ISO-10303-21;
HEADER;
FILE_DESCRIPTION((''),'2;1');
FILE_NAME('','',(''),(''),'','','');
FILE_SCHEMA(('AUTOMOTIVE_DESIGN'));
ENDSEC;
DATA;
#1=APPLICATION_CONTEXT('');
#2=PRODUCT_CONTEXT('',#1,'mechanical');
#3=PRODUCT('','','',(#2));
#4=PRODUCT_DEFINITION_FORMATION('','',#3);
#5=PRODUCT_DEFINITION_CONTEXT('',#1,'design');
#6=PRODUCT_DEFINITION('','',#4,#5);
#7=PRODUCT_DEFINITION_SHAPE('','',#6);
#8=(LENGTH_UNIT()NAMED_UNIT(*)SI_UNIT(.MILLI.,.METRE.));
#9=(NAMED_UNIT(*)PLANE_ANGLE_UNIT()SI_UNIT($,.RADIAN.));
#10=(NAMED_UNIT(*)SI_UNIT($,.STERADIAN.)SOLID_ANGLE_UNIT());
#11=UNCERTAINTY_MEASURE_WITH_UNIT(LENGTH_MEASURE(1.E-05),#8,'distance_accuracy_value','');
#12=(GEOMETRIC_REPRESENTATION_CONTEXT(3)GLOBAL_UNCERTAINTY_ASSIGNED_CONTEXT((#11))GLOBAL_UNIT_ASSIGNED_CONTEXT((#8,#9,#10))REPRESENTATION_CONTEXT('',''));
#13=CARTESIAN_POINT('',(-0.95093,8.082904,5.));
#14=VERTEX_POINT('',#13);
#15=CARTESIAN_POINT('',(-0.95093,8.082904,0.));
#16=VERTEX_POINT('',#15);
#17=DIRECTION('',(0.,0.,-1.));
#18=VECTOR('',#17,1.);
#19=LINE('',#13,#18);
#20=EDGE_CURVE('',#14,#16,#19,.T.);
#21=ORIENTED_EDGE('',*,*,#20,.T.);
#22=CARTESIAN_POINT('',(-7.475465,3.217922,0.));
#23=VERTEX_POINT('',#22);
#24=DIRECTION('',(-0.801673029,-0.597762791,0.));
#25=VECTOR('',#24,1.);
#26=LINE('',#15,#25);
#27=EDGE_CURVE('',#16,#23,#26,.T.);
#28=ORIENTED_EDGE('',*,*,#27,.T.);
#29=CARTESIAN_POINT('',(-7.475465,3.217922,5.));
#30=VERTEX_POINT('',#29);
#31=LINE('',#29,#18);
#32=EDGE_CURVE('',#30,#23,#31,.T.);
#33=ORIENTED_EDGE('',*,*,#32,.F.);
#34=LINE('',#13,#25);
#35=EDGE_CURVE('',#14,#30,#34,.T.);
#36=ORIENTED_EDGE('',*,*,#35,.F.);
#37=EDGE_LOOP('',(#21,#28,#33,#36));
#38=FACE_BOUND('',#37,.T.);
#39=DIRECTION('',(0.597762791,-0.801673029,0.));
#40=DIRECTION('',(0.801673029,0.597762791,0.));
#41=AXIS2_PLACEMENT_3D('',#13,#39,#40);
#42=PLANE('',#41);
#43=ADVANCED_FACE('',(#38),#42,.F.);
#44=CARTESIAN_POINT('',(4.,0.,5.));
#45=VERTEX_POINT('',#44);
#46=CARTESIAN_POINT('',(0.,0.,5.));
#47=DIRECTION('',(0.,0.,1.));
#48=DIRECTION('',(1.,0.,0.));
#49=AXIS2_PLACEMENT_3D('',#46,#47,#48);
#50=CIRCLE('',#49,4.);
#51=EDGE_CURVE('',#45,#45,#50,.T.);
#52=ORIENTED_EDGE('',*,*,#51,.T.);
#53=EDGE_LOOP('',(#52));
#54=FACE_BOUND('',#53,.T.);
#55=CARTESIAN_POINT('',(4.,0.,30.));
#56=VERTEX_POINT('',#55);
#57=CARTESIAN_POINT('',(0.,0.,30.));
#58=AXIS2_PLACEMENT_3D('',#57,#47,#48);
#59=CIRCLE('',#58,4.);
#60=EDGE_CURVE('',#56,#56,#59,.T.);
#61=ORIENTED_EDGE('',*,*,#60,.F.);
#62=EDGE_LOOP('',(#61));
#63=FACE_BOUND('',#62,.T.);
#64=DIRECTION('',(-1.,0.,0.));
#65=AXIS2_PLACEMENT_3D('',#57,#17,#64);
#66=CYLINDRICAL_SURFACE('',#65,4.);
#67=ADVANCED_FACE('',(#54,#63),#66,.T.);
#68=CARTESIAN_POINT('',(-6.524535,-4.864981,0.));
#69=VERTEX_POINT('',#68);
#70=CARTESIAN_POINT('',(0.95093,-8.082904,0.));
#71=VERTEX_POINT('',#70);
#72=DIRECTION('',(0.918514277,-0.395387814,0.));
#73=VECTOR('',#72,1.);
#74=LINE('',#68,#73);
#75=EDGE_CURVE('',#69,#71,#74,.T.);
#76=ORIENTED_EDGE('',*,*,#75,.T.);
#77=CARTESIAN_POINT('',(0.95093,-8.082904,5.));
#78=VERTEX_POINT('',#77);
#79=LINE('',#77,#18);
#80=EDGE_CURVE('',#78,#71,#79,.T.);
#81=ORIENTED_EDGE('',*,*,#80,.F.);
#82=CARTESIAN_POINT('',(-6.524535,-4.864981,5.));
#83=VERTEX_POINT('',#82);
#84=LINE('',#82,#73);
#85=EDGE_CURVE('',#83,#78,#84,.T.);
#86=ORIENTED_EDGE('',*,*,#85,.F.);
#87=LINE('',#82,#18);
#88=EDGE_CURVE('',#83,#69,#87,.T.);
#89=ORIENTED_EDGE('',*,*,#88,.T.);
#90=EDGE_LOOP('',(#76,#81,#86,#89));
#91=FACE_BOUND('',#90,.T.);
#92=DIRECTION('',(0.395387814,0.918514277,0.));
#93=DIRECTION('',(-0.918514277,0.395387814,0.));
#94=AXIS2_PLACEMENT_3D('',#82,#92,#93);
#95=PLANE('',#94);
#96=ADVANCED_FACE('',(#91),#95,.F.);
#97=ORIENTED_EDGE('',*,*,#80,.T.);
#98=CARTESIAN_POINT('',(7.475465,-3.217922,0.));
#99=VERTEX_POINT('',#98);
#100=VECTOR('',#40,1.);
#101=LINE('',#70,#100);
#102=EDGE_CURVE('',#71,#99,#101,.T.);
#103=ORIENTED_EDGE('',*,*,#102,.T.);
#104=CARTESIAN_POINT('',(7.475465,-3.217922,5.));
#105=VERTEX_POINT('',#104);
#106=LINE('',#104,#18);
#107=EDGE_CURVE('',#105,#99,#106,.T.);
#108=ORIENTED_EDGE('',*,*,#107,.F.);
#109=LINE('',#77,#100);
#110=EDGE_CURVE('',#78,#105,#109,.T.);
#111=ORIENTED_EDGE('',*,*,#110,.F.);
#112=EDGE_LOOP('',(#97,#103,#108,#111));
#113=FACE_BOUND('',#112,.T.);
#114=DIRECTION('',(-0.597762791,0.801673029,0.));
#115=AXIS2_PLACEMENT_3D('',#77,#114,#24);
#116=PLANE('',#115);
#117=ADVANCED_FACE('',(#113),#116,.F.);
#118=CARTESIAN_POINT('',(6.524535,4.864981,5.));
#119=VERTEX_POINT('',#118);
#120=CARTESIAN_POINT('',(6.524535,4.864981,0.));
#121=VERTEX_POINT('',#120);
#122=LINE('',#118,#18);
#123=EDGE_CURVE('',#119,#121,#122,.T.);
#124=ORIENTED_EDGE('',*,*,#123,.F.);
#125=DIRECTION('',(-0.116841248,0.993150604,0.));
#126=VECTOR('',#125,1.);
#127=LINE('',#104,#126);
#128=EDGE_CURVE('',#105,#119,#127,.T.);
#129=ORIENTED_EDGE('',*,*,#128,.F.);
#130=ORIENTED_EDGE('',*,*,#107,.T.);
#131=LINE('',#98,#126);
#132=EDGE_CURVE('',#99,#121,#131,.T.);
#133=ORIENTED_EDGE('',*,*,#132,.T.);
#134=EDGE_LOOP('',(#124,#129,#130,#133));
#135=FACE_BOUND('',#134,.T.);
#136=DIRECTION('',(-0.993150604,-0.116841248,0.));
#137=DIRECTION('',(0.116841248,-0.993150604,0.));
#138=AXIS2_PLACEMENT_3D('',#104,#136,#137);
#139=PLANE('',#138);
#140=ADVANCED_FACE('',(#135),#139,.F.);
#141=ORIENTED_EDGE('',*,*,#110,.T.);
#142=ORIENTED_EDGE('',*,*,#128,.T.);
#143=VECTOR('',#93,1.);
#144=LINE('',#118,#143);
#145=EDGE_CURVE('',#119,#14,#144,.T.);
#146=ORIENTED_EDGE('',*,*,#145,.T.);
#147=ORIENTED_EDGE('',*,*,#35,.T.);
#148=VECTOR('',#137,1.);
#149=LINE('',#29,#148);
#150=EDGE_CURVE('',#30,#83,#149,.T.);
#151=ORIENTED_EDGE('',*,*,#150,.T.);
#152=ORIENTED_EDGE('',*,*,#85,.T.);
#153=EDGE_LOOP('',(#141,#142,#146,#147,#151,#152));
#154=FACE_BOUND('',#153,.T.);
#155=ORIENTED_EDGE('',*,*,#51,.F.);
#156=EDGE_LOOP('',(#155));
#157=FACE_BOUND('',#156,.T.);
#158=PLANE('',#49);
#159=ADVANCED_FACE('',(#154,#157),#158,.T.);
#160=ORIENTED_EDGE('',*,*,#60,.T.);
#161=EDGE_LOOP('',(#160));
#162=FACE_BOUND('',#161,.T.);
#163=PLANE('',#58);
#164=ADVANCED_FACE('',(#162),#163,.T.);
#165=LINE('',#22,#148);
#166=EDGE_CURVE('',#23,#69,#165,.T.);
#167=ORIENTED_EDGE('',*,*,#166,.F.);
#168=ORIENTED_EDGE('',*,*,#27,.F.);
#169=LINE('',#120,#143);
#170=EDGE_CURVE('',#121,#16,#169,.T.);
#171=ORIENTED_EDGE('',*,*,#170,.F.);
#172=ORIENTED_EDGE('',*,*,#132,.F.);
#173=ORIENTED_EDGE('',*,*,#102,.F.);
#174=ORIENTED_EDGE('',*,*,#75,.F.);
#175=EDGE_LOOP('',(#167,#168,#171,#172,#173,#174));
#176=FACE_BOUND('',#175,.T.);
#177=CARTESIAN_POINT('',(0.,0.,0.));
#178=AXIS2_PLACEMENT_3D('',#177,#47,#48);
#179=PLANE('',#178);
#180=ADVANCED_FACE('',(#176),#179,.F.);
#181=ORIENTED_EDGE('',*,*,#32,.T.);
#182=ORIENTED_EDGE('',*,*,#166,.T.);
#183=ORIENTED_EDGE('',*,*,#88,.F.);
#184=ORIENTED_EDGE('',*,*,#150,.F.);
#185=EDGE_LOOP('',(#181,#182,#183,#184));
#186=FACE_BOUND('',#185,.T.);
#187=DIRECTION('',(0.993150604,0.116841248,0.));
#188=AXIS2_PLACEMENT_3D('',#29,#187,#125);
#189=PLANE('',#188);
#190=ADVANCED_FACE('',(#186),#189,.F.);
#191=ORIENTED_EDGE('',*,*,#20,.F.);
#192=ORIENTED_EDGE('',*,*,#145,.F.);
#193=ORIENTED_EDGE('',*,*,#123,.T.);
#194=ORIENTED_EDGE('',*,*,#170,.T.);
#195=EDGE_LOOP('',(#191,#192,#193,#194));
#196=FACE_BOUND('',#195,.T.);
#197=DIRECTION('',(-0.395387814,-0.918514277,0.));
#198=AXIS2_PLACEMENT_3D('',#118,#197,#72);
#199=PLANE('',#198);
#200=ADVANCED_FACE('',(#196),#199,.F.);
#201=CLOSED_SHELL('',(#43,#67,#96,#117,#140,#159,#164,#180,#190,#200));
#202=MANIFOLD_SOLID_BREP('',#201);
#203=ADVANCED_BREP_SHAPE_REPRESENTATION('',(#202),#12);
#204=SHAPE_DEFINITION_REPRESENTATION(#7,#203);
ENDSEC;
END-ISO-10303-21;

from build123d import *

# Parameters (mm, degrees)
BOSS_EXTRUDE1_DEPTH = 5
SKETCH2_R           = 4
BOSS_EXTRUDE2_DEPTH = 25


with BuildPart() as part:
    # Sketch1 → Boss-Extrude1 (new body)
    with BuildSketch(Plane.XY):
        Polygon((-0.950929855, 8.082903769), (-7.475464928, 3.217922473), (-6.524535072, -4.864981296), (0.950929855, -8.082903769), (7.475464928, -3.217922473), (6.524535072, 4.864981296), align=None)
    extrude(amount=BOSS_EXTRUDE1_DEPTH)

    # Sketch2 → Boss-Extrude2 (add)
    with BuildSketch(Plane.XY.offset(5)):
        Circle(SKETCH2_R)
    extrude(amount=BOSS_EXTRUDE2_DEPTH)


solid = part.part
